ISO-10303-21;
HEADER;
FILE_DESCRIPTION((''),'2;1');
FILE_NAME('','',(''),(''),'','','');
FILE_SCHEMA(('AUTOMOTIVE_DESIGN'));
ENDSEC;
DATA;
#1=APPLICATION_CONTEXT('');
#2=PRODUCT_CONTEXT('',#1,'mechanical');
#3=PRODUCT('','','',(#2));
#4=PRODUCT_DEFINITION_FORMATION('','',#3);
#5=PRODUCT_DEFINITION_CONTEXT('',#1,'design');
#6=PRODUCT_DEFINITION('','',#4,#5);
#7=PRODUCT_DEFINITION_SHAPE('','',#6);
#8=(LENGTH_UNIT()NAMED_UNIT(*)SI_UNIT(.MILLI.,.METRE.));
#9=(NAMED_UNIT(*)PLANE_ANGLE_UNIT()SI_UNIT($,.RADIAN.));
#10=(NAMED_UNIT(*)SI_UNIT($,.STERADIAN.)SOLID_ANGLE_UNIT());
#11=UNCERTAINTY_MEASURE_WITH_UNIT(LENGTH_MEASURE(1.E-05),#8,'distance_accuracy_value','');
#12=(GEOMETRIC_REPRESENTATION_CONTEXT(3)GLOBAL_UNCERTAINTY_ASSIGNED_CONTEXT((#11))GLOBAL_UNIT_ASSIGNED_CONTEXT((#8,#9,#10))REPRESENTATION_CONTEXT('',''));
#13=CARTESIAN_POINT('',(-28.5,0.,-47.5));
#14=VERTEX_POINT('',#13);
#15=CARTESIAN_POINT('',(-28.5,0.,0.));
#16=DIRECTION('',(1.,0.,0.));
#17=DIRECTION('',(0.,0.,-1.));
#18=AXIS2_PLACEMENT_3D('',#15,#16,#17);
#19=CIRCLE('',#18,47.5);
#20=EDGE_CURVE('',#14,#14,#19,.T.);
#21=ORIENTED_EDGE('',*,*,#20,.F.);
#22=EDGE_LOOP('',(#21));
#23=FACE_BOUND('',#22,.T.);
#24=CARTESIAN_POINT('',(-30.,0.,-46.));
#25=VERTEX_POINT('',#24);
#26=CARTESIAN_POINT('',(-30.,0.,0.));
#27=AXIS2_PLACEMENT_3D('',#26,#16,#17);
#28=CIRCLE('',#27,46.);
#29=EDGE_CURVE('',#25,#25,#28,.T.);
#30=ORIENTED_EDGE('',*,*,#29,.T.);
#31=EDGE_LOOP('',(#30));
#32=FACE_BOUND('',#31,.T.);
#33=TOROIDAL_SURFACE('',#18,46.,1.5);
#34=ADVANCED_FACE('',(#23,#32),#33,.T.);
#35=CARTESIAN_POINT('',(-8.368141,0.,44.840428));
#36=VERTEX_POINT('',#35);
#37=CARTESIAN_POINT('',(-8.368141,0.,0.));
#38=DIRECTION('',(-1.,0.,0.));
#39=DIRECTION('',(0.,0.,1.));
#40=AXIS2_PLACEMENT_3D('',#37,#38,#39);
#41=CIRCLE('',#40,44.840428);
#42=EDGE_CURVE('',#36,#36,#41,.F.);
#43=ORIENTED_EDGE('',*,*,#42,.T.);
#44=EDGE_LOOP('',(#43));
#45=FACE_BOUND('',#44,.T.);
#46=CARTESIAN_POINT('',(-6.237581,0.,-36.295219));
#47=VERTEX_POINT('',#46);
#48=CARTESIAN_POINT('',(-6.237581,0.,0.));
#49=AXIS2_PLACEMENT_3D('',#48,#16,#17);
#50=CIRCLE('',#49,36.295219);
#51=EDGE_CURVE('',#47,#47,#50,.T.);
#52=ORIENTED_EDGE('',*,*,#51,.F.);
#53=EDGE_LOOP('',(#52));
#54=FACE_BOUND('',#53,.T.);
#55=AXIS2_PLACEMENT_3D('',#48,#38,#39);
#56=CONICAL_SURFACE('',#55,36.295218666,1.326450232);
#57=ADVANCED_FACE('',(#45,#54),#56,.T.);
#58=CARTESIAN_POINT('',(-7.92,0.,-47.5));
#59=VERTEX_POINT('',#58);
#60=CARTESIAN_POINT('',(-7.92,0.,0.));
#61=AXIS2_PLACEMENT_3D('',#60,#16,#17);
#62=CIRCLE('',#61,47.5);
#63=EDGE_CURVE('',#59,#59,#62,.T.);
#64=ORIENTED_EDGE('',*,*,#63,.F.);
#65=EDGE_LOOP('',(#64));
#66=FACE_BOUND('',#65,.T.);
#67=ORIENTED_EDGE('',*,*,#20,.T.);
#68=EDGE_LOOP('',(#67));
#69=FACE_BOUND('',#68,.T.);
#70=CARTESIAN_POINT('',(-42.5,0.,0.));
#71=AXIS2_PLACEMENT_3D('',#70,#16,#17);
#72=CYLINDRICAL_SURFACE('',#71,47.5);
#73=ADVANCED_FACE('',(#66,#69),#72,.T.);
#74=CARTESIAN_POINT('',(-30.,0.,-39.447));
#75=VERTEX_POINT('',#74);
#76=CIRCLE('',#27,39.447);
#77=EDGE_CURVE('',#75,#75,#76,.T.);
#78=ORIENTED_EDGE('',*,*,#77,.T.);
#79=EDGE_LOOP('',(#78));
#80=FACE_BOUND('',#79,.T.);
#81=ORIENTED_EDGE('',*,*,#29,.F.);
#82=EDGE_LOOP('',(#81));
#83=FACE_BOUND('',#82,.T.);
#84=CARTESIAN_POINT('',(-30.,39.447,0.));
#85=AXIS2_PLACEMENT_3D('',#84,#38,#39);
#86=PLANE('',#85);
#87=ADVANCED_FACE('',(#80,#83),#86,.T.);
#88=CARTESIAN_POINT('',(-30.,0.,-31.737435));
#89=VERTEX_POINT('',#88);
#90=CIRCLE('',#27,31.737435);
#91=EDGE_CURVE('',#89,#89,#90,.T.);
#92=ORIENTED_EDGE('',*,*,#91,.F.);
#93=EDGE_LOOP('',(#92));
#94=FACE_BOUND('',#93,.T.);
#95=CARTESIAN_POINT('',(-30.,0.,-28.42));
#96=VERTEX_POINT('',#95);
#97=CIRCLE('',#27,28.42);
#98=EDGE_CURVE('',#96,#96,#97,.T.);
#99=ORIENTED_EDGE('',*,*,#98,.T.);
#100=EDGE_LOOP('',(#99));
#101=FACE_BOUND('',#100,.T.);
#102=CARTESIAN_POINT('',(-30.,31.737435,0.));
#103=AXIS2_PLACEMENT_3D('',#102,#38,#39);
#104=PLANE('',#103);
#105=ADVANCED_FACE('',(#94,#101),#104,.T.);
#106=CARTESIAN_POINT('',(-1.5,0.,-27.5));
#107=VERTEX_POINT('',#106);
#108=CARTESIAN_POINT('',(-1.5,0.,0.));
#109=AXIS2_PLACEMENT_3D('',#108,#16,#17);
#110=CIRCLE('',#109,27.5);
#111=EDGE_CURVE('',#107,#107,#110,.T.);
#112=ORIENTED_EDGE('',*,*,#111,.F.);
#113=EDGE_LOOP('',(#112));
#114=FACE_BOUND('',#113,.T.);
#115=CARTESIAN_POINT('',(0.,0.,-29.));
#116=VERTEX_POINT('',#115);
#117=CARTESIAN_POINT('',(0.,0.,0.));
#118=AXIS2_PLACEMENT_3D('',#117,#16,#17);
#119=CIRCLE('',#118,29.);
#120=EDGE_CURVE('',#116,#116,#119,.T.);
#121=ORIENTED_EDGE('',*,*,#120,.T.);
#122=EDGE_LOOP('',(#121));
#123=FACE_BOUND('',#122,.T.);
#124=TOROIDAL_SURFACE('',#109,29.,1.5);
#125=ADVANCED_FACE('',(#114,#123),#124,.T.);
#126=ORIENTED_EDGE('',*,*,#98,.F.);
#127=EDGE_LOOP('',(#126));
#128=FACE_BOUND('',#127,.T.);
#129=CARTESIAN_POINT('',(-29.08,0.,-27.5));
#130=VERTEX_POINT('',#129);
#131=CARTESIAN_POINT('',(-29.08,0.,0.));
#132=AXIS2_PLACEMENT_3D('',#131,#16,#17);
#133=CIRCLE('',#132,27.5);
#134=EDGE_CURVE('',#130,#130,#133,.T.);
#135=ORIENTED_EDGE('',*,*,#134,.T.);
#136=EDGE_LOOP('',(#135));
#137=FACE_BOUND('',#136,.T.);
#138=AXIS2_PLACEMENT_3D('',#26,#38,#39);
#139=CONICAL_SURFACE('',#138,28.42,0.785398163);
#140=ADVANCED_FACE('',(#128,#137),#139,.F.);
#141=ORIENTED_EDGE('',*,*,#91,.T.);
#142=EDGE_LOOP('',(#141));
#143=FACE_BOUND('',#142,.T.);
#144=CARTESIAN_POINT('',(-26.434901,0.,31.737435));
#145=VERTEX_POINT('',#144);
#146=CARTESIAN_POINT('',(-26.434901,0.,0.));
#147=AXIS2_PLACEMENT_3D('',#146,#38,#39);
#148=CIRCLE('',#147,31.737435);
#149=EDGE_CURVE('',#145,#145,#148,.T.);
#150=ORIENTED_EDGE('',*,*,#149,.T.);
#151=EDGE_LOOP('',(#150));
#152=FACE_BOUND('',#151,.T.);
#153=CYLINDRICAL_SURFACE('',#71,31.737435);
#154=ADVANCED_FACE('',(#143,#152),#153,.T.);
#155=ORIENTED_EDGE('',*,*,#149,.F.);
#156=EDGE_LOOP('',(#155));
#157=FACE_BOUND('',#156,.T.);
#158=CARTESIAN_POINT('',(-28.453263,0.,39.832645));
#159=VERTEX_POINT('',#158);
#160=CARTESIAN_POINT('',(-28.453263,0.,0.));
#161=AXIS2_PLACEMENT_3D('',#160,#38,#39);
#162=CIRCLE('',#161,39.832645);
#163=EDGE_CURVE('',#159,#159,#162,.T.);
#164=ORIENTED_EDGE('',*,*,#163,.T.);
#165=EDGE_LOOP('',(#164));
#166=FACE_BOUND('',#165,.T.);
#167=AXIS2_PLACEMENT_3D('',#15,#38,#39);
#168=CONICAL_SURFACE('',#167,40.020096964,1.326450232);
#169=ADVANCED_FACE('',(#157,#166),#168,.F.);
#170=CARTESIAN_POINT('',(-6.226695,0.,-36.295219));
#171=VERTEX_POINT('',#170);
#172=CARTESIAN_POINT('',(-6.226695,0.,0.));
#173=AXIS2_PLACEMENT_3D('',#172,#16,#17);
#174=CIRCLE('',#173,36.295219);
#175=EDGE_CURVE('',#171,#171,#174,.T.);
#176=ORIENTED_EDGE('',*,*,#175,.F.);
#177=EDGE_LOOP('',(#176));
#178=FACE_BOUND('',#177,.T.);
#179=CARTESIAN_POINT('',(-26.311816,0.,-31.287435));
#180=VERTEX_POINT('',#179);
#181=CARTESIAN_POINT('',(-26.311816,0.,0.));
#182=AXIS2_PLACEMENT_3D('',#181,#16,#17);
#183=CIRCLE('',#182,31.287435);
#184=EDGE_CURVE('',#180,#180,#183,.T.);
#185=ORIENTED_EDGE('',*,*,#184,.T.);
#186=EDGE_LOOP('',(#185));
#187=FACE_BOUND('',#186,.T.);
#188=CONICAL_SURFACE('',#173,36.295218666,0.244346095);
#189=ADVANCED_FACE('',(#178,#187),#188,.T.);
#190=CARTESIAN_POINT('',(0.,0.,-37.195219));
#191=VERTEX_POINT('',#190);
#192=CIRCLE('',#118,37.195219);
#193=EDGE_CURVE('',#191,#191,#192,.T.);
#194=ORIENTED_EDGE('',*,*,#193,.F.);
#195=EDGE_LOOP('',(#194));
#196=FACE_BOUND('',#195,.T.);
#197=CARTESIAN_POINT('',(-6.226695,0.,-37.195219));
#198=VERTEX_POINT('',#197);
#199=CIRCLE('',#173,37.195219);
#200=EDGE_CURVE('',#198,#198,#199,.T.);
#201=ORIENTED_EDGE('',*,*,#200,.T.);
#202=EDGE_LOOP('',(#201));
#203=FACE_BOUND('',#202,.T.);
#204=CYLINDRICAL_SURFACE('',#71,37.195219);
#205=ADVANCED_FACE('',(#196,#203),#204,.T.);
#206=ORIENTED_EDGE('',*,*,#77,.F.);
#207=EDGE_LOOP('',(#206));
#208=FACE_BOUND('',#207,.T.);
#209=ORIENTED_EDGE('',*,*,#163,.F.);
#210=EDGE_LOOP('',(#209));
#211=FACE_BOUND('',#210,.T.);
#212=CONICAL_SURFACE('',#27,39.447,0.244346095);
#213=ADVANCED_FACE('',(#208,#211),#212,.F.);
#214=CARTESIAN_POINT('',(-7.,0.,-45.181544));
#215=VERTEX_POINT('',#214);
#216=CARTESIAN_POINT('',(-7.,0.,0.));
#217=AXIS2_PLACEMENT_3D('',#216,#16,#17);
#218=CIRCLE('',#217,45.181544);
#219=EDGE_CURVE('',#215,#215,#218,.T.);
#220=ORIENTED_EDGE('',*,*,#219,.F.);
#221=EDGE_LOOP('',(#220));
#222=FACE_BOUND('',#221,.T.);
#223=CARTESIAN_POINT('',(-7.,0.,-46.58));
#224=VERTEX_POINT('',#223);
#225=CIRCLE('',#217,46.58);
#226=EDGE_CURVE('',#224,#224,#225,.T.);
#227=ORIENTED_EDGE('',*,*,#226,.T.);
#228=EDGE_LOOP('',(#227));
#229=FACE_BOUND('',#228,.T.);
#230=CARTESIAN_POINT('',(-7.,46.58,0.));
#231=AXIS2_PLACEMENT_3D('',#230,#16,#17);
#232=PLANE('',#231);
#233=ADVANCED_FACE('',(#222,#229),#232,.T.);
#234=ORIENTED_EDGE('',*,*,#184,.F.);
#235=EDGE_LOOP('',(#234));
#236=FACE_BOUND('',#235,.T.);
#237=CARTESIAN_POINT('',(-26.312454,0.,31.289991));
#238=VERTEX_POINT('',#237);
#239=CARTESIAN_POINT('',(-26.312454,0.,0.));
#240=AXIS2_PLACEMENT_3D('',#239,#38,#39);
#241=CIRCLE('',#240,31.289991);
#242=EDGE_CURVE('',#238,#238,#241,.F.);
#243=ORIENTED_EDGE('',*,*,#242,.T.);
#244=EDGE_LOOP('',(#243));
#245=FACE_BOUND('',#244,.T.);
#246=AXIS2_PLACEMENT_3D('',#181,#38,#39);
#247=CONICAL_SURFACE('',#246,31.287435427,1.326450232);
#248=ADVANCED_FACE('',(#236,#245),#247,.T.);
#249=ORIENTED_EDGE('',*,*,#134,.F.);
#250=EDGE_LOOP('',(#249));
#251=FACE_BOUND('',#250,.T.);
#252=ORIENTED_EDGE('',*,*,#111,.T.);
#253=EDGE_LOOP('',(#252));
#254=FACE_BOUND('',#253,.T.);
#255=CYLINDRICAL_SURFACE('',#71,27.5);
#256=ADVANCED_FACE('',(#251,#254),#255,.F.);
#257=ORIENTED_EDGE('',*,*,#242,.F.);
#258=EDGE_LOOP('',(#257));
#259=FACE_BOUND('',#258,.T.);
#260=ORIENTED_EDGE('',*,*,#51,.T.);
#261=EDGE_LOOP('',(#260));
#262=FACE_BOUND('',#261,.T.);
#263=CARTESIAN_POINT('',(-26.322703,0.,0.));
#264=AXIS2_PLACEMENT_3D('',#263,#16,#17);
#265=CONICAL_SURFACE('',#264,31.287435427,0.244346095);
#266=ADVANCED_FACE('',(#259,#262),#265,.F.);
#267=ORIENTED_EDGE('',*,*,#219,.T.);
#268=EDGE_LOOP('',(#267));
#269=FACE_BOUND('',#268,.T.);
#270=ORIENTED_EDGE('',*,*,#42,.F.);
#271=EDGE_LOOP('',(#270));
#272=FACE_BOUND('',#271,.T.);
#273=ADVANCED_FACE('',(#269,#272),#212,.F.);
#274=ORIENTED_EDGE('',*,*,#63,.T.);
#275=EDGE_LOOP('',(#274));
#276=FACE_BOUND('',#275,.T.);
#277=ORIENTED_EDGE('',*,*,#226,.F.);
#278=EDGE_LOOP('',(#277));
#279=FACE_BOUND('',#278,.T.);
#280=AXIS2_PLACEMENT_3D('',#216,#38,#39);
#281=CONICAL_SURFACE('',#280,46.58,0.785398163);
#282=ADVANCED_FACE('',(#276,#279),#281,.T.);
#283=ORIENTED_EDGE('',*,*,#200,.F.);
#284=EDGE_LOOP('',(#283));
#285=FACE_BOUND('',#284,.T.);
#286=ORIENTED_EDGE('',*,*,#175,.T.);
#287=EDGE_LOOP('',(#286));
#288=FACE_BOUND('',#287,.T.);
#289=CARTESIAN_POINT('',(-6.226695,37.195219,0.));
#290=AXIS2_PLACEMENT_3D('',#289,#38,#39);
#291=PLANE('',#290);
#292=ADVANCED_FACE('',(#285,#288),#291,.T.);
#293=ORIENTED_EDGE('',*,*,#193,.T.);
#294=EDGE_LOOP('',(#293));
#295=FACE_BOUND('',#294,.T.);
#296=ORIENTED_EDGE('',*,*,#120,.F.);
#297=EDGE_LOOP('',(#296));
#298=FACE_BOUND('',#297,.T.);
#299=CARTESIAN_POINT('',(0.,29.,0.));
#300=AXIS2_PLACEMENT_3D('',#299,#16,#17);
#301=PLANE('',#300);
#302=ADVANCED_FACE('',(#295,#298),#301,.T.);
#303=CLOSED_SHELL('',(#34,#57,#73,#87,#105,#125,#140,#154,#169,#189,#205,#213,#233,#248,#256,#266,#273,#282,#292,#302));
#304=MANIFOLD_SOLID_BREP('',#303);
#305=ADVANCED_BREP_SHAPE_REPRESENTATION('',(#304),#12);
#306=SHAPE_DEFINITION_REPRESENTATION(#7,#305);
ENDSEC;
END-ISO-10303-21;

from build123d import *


with BuildPart() as part:
    # OutRacSke → OuterRace (revolve)
    with BuildSketch(Plane.XY):
        with BuildLine():
            Line((-7, 45.181544065), (-30, 39.447))
            Line((-30, 39.447), (-30, 46))
            ThreePointArc((-30, 46), (-29.560660172, 47.060660172), (-28.5, 47.5))
            Line((-28.5, 47.5), (-7.92, 47.5))
            Line((-7.92, 47.5), (-7, 46.58))
            Line((-7, 46.58), (-7, 45.181544065))
        make_face()
    revolve(axis=Axis((-42.5, 0, 0), (1, 0, 0)))

    # RolSimSke → RollersSimplified (revolve)
    with BuildSketch(Plane.XY):
        Polygon((-28.5, 40.020096964), (-8.414878466, 45.027880203), (-6.237581406, 36.295218666), (-26.32270294, 31.287435427), align=None)
    revolve(axis=Axis((0, 0, 0), (-1, 0, 0)))

    # InsRacSke → InnerRace (revolve)
    with BuildSketch(Plane.XY):
        with BuildLine():
            Line((-26.424014058, 31.737435427), (-30, 31.737435427))
            Line((-30, 31.737435427), (-30, 28.42))
            Line((-30, 28.42), (-29.08, 27.5))
            Line((-29.08, 27.5), (-1.5, 27.5))
            ThreePointArc((-1.5, 27.5), (-0.439339828, 27.939339828), (0, 29))
            Line((0, 29), (0, 37.195218666))
            Line((0, 37.195218666), (-6.226694923, 37.195218666))
            Line((-6.226694923, 37.195218666), (-6.226694923, 36.295218666))
            Line((-6.226694923, 36.295218666), (-26.311816457, 31.287435427))
            Line((-26.311816457, 31.287435427), (-26.424014058, 31.737435427))
        make_face()
    revolve(axis=Axis((-42.5, 0, 0), (1, 0, 0)))


solid = part.part
